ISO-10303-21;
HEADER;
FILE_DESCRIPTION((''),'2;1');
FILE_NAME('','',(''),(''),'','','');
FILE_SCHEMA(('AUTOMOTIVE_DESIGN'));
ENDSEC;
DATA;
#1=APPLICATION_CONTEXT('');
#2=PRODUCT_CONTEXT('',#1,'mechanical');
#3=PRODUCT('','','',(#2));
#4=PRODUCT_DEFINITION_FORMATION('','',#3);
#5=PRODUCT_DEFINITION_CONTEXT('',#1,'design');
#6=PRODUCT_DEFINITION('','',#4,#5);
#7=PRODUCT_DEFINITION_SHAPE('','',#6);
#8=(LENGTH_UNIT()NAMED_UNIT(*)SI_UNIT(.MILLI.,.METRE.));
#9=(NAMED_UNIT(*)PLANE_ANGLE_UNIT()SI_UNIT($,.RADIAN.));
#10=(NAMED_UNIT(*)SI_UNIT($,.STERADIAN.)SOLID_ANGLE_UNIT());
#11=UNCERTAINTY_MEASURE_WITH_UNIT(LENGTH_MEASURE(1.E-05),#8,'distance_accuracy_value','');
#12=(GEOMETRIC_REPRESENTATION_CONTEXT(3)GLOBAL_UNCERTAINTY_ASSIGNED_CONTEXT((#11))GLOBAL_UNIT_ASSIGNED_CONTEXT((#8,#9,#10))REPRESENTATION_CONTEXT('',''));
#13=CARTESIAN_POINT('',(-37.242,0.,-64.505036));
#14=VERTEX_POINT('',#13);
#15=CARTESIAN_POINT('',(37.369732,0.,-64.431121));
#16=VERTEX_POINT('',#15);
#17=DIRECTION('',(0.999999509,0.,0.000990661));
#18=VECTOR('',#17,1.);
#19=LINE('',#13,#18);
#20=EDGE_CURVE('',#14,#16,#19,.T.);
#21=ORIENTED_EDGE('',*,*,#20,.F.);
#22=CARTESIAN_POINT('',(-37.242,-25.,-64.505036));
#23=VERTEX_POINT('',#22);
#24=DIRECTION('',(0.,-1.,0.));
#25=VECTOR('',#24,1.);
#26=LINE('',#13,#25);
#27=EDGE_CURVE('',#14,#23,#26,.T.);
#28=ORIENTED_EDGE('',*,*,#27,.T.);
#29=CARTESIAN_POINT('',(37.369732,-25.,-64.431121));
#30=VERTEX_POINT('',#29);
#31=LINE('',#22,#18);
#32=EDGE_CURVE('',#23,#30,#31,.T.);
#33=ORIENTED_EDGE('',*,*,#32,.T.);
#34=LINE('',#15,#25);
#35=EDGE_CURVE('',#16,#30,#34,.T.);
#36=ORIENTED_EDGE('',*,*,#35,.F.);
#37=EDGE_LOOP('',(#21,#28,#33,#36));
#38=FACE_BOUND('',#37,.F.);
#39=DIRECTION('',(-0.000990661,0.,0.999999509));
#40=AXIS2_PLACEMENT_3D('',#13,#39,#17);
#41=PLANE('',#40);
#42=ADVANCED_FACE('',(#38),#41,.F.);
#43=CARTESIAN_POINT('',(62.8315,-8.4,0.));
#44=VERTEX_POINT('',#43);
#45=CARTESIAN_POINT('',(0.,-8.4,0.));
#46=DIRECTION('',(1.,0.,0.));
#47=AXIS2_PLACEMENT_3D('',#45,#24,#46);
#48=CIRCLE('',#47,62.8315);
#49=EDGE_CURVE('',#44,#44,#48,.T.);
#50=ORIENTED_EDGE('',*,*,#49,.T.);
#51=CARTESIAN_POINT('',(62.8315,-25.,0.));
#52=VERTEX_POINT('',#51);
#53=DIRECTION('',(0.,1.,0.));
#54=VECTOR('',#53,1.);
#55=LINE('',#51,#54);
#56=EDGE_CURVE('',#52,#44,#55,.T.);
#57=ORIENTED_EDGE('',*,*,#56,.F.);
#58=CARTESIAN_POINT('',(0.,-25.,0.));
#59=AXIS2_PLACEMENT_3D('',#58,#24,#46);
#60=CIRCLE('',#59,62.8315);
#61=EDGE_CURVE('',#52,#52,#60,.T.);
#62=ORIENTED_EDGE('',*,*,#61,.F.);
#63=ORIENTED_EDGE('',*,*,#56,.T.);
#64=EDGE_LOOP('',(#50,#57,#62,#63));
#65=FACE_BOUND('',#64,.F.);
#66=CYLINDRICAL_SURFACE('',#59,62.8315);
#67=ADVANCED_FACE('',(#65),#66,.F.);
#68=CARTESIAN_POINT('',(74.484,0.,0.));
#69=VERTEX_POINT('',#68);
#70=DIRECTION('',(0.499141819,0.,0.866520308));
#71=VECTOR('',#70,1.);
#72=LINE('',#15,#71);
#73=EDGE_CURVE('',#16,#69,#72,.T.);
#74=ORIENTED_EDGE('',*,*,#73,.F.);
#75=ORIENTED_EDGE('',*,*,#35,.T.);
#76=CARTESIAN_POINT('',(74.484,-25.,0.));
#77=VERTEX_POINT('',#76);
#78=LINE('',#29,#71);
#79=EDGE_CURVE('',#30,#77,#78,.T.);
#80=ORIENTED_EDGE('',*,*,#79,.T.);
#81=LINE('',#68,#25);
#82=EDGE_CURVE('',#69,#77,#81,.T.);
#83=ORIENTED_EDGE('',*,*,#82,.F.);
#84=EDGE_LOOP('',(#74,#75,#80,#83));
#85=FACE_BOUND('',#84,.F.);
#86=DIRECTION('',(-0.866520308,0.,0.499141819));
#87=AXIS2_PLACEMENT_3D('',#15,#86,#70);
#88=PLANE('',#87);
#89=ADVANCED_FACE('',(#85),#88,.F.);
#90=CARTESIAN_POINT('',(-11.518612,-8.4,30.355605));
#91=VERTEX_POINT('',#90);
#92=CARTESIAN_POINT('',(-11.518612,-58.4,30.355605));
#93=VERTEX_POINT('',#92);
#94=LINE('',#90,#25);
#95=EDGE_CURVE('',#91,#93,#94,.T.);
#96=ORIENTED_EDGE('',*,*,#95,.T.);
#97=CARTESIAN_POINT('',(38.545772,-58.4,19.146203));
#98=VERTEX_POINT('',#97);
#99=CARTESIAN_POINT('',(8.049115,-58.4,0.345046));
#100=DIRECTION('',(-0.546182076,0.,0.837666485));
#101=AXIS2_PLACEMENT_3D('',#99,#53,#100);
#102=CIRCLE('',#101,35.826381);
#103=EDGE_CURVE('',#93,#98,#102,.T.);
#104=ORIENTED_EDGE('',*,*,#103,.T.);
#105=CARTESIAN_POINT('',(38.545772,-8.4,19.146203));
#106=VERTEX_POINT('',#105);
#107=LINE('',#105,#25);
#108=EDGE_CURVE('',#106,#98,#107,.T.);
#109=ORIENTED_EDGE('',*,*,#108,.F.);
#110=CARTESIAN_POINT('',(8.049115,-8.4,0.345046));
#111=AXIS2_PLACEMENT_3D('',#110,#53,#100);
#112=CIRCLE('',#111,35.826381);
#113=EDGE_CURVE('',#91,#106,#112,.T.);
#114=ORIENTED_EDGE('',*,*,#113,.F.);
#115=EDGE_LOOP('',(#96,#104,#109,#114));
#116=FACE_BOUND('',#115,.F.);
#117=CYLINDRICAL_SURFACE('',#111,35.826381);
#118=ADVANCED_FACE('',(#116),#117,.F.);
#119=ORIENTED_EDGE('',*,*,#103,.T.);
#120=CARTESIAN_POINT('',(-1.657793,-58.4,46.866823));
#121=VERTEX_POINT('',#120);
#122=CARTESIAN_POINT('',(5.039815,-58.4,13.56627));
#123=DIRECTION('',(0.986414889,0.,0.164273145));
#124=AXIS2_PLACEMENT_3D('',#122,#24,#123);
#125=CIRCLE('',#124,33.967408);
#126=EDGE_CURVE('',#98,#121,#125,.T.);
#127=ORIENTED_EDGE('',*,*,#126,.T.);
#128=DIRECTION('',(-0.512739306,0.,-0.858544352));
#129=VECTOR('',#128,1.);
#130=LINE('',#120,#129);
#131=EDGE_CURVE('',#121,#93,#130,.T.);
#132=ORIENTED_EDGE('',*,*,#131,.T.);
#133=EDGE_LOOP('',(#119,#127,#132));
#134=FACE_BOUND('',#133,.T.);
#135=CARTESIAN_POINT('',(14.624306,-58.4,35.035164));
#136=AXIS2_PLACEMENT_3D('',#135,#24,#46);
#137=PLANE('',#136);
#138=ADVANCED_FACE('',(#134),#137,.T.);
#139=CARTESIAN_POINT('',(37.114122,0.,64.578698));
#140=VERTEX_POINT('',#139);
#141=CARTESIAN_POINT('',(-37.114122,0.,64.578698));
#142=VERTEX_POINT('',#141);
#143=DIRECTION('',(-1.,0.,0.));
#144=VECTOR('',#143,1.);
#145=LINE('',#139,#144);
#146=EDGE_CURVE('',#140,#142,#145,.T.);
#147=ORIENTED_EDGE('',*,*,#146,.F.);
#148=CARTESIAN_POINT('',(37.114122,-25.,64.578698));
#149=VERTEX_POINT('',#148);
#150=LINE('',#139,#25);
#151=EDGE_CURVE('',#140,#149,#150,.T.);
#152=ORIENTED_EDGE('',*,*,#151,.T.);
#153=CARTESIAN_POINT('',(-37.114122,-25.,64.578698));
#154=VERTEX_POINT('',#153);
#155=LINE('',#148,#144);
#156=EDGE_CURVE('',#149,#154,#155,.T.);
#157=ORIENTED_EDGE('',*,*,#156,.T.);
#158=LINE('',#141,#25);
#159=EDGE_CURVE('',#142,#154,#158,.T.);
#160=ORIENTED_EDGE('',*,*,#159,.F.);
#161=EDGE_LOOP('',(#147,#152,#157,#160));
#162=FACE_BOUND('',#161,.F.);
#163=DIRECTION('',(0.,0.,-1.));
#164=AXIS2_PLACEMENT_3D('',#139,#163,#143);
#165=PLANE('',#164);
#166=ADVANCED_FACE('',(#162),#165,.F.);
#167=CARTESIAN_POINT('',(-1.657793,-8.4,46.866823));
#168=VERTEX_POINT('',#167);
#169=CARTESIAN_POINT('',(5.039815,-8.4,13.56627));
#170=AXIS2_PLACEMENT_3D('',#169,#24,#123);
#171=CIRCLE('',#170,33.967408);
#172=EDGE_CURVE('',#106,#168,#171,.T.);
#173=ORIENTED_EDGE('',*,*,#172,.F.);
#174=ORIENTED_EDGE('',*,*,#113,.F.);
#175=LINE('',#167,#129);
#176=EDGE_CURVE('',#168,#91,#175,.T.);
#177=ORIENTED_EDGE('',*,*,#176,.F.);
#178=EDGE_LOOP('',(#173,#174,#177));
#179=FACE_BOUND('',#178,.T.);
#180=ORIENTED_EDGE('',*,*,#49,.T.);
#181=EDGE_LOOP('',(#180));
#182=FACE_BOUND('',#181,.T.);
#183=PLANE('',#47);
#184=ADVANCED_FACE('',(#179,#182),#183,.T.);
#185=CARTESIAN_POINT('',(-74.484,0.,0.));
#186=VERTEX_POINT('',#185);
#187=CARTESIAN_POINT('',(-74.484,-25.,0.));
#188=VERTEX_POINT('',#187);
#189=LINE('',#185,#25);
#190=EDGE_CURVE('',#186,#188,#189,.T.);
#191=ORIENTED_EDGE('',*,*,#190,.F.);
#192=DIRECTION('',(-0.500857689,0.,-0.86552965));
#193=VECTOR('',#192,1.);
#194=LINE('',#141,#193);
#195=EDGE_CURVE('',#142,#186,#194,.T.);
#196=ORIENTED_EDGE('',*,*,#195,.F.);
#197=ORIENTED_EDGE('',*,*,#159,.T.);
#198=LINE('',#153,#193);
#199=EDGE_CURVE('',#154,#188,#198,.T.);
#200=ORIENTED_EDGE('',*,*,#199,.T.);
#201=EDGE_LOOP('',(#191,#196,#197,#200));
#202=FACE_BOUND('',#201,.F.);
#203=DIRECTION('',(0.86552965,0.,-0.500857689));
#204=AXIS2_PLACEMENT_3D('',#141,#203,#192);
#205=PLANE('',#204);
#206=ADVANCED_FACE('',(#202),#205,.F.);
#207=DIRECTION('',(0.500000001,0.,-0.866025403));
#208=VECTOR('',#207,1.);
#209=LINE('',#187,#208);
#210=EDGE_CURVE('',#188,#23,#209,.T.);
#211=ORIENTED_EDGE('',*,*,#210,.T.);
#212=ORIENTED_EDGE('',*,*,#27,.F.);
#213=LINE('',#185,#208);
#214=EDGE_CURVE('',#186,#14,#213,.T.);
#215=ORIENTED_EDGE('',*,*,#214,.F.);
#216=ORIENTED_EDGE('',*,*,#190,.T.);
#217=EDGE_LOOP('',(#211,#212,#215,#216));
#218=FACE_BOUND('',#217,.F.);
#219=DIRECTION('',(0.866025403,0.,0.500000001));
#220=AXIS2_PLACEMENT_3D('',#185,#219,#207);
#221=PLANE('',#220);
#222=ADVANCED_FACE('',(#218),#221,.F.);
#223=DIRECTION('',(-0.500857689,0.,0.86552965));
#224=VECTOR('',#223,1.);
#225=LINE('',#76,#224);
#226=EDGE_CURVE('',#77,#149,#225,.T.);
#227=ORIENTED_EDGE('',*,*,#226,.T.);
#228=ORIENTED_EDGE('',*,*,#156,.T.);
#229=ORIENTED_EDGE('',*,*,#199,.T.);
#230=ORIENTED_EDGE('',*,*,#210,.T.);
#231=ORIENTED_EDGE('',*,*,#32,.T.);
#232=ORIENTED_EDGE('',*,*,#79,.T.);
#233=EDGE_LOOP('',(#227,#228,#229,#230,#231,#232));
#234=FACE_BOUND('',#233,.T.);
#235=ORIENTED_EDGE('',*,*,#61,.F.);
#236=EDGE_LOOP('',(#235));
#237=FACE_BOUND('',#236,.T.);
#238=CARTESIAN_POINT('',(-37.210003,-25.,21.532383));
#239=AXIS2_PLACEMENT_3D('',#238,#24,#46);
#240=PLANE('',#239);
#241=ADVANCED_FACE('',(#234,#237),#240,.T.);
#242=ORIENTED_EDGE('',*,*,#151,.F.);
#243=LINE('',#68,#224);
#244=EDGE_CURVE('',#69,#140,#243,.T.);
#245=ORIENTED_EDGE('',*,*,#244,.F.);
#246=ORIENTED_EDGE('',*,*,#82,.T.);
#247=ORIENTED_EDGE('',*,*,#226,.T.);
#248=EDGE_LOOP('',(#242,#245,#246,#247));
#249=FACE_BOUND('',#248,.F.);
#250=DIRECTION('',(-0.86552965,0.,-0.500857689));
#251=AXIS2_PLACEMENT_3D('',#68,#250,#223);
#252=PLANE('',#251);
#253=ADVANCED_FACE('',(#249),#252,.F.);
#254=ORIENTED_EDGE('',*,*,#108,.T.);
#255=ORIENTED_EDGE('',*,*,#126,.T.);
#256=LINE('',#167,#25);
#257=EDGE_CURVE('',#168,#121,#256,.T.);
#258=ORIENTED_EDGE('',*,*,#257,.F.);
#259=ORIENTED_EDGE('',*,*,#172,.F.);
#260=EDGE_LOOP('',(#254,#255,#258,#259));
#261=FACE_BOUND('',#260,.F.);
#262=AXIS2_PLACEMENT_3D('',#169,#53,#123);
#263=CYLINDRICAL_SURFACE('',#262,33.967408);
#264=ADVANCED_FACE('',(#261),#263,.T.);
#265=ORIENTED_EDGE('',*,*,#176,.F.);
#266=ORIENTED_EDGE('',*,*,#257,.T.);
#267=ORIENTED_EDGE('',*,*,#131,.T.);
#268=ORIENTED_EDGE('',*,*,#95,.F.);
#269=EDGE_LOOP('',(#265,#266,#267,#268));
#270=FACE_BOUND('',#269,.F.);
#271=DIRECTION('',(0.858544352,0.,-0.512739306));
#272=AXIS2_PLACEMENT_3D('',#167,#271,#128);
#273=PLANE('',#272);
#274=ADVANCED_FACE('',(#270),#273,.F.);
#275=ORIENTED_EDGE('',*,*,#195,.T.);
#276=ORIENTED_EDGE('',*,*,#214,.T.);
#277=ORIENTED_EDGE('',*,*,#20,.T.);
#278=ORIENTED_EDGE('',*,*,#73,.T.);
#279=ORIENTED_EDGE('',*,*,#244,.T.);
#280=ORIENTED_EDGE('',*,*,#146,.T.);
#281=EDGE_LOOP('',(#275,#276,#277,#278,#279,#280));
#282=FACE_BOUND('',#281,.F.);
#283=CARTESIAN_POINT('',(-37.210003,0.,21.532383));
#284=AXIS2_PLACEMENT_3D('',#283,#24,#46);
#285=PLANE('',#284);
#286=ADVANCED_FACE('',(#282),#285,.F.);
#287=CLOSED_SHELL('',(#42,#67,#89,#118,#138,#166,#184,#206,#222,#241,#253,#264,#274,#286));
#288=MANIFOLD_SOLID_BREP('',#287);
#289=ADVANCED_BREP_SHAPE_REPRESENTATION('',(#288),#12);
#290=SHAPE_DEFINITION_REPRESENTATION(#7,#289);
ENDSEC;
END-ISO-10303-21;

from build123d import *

# Parameters (mm, degrees)
F1_DEPTH = 25
F2_R     = 62.8315
F3_DEPTH = 16.6
F5_DEPTH = 50


with BuildPart() as f1:
    # F0 (on Front) → F1 (new body)
    with BuildSketch(Plane.XZ):
        Polygon((-74.484, 0), (0, 0), (-37.114122, 64.578698), align=None)
        Polygon((-37.114122, 64.578698), (0, 0), (37.114122, 64.578698), align=None)
        Polygon((37.114122, 64.578698), (0, 0), (74.484, 0), align=None)
        Polygon((74.484, 0), (0, 0), (37.369732, -64.431121), align=None)
        Polygon((37.369732, -64.431121), (0, 0), (-37.242, -64.505036), align=None)
        Polygon((-37.242, -64.505036), (0, 0), (-74.484, 0), align=None)
    extrude(amount=F1_DEPTH)

    # F2 (on face) → F3 (cut)
    with BuildSketch(Plane.XZ.offset(25)):
        Circle(F2_R)
    extrude(amount=-F3_DEPTH, mode=Mode.SUBTRACT)

    # F4 (on face) → F5 (join)
    with BuildSketch(Plane.XZ.offset(8.4)):
        with BuildLine():
            ThreePointArc((-11.518612, 30.355605), (15.876825, 35.305832), (38.545772, 19.146203))
            ThreePointArc((38.545772, 19.146203), (24.321415, 41.530617), (-1.657793, 46.866823))
            Line((-1.657793, 46.866823), (-11.518612, 30.355605))
        make_face()
    extrude(amount=F5_DEPTH)


solid = f1.part
